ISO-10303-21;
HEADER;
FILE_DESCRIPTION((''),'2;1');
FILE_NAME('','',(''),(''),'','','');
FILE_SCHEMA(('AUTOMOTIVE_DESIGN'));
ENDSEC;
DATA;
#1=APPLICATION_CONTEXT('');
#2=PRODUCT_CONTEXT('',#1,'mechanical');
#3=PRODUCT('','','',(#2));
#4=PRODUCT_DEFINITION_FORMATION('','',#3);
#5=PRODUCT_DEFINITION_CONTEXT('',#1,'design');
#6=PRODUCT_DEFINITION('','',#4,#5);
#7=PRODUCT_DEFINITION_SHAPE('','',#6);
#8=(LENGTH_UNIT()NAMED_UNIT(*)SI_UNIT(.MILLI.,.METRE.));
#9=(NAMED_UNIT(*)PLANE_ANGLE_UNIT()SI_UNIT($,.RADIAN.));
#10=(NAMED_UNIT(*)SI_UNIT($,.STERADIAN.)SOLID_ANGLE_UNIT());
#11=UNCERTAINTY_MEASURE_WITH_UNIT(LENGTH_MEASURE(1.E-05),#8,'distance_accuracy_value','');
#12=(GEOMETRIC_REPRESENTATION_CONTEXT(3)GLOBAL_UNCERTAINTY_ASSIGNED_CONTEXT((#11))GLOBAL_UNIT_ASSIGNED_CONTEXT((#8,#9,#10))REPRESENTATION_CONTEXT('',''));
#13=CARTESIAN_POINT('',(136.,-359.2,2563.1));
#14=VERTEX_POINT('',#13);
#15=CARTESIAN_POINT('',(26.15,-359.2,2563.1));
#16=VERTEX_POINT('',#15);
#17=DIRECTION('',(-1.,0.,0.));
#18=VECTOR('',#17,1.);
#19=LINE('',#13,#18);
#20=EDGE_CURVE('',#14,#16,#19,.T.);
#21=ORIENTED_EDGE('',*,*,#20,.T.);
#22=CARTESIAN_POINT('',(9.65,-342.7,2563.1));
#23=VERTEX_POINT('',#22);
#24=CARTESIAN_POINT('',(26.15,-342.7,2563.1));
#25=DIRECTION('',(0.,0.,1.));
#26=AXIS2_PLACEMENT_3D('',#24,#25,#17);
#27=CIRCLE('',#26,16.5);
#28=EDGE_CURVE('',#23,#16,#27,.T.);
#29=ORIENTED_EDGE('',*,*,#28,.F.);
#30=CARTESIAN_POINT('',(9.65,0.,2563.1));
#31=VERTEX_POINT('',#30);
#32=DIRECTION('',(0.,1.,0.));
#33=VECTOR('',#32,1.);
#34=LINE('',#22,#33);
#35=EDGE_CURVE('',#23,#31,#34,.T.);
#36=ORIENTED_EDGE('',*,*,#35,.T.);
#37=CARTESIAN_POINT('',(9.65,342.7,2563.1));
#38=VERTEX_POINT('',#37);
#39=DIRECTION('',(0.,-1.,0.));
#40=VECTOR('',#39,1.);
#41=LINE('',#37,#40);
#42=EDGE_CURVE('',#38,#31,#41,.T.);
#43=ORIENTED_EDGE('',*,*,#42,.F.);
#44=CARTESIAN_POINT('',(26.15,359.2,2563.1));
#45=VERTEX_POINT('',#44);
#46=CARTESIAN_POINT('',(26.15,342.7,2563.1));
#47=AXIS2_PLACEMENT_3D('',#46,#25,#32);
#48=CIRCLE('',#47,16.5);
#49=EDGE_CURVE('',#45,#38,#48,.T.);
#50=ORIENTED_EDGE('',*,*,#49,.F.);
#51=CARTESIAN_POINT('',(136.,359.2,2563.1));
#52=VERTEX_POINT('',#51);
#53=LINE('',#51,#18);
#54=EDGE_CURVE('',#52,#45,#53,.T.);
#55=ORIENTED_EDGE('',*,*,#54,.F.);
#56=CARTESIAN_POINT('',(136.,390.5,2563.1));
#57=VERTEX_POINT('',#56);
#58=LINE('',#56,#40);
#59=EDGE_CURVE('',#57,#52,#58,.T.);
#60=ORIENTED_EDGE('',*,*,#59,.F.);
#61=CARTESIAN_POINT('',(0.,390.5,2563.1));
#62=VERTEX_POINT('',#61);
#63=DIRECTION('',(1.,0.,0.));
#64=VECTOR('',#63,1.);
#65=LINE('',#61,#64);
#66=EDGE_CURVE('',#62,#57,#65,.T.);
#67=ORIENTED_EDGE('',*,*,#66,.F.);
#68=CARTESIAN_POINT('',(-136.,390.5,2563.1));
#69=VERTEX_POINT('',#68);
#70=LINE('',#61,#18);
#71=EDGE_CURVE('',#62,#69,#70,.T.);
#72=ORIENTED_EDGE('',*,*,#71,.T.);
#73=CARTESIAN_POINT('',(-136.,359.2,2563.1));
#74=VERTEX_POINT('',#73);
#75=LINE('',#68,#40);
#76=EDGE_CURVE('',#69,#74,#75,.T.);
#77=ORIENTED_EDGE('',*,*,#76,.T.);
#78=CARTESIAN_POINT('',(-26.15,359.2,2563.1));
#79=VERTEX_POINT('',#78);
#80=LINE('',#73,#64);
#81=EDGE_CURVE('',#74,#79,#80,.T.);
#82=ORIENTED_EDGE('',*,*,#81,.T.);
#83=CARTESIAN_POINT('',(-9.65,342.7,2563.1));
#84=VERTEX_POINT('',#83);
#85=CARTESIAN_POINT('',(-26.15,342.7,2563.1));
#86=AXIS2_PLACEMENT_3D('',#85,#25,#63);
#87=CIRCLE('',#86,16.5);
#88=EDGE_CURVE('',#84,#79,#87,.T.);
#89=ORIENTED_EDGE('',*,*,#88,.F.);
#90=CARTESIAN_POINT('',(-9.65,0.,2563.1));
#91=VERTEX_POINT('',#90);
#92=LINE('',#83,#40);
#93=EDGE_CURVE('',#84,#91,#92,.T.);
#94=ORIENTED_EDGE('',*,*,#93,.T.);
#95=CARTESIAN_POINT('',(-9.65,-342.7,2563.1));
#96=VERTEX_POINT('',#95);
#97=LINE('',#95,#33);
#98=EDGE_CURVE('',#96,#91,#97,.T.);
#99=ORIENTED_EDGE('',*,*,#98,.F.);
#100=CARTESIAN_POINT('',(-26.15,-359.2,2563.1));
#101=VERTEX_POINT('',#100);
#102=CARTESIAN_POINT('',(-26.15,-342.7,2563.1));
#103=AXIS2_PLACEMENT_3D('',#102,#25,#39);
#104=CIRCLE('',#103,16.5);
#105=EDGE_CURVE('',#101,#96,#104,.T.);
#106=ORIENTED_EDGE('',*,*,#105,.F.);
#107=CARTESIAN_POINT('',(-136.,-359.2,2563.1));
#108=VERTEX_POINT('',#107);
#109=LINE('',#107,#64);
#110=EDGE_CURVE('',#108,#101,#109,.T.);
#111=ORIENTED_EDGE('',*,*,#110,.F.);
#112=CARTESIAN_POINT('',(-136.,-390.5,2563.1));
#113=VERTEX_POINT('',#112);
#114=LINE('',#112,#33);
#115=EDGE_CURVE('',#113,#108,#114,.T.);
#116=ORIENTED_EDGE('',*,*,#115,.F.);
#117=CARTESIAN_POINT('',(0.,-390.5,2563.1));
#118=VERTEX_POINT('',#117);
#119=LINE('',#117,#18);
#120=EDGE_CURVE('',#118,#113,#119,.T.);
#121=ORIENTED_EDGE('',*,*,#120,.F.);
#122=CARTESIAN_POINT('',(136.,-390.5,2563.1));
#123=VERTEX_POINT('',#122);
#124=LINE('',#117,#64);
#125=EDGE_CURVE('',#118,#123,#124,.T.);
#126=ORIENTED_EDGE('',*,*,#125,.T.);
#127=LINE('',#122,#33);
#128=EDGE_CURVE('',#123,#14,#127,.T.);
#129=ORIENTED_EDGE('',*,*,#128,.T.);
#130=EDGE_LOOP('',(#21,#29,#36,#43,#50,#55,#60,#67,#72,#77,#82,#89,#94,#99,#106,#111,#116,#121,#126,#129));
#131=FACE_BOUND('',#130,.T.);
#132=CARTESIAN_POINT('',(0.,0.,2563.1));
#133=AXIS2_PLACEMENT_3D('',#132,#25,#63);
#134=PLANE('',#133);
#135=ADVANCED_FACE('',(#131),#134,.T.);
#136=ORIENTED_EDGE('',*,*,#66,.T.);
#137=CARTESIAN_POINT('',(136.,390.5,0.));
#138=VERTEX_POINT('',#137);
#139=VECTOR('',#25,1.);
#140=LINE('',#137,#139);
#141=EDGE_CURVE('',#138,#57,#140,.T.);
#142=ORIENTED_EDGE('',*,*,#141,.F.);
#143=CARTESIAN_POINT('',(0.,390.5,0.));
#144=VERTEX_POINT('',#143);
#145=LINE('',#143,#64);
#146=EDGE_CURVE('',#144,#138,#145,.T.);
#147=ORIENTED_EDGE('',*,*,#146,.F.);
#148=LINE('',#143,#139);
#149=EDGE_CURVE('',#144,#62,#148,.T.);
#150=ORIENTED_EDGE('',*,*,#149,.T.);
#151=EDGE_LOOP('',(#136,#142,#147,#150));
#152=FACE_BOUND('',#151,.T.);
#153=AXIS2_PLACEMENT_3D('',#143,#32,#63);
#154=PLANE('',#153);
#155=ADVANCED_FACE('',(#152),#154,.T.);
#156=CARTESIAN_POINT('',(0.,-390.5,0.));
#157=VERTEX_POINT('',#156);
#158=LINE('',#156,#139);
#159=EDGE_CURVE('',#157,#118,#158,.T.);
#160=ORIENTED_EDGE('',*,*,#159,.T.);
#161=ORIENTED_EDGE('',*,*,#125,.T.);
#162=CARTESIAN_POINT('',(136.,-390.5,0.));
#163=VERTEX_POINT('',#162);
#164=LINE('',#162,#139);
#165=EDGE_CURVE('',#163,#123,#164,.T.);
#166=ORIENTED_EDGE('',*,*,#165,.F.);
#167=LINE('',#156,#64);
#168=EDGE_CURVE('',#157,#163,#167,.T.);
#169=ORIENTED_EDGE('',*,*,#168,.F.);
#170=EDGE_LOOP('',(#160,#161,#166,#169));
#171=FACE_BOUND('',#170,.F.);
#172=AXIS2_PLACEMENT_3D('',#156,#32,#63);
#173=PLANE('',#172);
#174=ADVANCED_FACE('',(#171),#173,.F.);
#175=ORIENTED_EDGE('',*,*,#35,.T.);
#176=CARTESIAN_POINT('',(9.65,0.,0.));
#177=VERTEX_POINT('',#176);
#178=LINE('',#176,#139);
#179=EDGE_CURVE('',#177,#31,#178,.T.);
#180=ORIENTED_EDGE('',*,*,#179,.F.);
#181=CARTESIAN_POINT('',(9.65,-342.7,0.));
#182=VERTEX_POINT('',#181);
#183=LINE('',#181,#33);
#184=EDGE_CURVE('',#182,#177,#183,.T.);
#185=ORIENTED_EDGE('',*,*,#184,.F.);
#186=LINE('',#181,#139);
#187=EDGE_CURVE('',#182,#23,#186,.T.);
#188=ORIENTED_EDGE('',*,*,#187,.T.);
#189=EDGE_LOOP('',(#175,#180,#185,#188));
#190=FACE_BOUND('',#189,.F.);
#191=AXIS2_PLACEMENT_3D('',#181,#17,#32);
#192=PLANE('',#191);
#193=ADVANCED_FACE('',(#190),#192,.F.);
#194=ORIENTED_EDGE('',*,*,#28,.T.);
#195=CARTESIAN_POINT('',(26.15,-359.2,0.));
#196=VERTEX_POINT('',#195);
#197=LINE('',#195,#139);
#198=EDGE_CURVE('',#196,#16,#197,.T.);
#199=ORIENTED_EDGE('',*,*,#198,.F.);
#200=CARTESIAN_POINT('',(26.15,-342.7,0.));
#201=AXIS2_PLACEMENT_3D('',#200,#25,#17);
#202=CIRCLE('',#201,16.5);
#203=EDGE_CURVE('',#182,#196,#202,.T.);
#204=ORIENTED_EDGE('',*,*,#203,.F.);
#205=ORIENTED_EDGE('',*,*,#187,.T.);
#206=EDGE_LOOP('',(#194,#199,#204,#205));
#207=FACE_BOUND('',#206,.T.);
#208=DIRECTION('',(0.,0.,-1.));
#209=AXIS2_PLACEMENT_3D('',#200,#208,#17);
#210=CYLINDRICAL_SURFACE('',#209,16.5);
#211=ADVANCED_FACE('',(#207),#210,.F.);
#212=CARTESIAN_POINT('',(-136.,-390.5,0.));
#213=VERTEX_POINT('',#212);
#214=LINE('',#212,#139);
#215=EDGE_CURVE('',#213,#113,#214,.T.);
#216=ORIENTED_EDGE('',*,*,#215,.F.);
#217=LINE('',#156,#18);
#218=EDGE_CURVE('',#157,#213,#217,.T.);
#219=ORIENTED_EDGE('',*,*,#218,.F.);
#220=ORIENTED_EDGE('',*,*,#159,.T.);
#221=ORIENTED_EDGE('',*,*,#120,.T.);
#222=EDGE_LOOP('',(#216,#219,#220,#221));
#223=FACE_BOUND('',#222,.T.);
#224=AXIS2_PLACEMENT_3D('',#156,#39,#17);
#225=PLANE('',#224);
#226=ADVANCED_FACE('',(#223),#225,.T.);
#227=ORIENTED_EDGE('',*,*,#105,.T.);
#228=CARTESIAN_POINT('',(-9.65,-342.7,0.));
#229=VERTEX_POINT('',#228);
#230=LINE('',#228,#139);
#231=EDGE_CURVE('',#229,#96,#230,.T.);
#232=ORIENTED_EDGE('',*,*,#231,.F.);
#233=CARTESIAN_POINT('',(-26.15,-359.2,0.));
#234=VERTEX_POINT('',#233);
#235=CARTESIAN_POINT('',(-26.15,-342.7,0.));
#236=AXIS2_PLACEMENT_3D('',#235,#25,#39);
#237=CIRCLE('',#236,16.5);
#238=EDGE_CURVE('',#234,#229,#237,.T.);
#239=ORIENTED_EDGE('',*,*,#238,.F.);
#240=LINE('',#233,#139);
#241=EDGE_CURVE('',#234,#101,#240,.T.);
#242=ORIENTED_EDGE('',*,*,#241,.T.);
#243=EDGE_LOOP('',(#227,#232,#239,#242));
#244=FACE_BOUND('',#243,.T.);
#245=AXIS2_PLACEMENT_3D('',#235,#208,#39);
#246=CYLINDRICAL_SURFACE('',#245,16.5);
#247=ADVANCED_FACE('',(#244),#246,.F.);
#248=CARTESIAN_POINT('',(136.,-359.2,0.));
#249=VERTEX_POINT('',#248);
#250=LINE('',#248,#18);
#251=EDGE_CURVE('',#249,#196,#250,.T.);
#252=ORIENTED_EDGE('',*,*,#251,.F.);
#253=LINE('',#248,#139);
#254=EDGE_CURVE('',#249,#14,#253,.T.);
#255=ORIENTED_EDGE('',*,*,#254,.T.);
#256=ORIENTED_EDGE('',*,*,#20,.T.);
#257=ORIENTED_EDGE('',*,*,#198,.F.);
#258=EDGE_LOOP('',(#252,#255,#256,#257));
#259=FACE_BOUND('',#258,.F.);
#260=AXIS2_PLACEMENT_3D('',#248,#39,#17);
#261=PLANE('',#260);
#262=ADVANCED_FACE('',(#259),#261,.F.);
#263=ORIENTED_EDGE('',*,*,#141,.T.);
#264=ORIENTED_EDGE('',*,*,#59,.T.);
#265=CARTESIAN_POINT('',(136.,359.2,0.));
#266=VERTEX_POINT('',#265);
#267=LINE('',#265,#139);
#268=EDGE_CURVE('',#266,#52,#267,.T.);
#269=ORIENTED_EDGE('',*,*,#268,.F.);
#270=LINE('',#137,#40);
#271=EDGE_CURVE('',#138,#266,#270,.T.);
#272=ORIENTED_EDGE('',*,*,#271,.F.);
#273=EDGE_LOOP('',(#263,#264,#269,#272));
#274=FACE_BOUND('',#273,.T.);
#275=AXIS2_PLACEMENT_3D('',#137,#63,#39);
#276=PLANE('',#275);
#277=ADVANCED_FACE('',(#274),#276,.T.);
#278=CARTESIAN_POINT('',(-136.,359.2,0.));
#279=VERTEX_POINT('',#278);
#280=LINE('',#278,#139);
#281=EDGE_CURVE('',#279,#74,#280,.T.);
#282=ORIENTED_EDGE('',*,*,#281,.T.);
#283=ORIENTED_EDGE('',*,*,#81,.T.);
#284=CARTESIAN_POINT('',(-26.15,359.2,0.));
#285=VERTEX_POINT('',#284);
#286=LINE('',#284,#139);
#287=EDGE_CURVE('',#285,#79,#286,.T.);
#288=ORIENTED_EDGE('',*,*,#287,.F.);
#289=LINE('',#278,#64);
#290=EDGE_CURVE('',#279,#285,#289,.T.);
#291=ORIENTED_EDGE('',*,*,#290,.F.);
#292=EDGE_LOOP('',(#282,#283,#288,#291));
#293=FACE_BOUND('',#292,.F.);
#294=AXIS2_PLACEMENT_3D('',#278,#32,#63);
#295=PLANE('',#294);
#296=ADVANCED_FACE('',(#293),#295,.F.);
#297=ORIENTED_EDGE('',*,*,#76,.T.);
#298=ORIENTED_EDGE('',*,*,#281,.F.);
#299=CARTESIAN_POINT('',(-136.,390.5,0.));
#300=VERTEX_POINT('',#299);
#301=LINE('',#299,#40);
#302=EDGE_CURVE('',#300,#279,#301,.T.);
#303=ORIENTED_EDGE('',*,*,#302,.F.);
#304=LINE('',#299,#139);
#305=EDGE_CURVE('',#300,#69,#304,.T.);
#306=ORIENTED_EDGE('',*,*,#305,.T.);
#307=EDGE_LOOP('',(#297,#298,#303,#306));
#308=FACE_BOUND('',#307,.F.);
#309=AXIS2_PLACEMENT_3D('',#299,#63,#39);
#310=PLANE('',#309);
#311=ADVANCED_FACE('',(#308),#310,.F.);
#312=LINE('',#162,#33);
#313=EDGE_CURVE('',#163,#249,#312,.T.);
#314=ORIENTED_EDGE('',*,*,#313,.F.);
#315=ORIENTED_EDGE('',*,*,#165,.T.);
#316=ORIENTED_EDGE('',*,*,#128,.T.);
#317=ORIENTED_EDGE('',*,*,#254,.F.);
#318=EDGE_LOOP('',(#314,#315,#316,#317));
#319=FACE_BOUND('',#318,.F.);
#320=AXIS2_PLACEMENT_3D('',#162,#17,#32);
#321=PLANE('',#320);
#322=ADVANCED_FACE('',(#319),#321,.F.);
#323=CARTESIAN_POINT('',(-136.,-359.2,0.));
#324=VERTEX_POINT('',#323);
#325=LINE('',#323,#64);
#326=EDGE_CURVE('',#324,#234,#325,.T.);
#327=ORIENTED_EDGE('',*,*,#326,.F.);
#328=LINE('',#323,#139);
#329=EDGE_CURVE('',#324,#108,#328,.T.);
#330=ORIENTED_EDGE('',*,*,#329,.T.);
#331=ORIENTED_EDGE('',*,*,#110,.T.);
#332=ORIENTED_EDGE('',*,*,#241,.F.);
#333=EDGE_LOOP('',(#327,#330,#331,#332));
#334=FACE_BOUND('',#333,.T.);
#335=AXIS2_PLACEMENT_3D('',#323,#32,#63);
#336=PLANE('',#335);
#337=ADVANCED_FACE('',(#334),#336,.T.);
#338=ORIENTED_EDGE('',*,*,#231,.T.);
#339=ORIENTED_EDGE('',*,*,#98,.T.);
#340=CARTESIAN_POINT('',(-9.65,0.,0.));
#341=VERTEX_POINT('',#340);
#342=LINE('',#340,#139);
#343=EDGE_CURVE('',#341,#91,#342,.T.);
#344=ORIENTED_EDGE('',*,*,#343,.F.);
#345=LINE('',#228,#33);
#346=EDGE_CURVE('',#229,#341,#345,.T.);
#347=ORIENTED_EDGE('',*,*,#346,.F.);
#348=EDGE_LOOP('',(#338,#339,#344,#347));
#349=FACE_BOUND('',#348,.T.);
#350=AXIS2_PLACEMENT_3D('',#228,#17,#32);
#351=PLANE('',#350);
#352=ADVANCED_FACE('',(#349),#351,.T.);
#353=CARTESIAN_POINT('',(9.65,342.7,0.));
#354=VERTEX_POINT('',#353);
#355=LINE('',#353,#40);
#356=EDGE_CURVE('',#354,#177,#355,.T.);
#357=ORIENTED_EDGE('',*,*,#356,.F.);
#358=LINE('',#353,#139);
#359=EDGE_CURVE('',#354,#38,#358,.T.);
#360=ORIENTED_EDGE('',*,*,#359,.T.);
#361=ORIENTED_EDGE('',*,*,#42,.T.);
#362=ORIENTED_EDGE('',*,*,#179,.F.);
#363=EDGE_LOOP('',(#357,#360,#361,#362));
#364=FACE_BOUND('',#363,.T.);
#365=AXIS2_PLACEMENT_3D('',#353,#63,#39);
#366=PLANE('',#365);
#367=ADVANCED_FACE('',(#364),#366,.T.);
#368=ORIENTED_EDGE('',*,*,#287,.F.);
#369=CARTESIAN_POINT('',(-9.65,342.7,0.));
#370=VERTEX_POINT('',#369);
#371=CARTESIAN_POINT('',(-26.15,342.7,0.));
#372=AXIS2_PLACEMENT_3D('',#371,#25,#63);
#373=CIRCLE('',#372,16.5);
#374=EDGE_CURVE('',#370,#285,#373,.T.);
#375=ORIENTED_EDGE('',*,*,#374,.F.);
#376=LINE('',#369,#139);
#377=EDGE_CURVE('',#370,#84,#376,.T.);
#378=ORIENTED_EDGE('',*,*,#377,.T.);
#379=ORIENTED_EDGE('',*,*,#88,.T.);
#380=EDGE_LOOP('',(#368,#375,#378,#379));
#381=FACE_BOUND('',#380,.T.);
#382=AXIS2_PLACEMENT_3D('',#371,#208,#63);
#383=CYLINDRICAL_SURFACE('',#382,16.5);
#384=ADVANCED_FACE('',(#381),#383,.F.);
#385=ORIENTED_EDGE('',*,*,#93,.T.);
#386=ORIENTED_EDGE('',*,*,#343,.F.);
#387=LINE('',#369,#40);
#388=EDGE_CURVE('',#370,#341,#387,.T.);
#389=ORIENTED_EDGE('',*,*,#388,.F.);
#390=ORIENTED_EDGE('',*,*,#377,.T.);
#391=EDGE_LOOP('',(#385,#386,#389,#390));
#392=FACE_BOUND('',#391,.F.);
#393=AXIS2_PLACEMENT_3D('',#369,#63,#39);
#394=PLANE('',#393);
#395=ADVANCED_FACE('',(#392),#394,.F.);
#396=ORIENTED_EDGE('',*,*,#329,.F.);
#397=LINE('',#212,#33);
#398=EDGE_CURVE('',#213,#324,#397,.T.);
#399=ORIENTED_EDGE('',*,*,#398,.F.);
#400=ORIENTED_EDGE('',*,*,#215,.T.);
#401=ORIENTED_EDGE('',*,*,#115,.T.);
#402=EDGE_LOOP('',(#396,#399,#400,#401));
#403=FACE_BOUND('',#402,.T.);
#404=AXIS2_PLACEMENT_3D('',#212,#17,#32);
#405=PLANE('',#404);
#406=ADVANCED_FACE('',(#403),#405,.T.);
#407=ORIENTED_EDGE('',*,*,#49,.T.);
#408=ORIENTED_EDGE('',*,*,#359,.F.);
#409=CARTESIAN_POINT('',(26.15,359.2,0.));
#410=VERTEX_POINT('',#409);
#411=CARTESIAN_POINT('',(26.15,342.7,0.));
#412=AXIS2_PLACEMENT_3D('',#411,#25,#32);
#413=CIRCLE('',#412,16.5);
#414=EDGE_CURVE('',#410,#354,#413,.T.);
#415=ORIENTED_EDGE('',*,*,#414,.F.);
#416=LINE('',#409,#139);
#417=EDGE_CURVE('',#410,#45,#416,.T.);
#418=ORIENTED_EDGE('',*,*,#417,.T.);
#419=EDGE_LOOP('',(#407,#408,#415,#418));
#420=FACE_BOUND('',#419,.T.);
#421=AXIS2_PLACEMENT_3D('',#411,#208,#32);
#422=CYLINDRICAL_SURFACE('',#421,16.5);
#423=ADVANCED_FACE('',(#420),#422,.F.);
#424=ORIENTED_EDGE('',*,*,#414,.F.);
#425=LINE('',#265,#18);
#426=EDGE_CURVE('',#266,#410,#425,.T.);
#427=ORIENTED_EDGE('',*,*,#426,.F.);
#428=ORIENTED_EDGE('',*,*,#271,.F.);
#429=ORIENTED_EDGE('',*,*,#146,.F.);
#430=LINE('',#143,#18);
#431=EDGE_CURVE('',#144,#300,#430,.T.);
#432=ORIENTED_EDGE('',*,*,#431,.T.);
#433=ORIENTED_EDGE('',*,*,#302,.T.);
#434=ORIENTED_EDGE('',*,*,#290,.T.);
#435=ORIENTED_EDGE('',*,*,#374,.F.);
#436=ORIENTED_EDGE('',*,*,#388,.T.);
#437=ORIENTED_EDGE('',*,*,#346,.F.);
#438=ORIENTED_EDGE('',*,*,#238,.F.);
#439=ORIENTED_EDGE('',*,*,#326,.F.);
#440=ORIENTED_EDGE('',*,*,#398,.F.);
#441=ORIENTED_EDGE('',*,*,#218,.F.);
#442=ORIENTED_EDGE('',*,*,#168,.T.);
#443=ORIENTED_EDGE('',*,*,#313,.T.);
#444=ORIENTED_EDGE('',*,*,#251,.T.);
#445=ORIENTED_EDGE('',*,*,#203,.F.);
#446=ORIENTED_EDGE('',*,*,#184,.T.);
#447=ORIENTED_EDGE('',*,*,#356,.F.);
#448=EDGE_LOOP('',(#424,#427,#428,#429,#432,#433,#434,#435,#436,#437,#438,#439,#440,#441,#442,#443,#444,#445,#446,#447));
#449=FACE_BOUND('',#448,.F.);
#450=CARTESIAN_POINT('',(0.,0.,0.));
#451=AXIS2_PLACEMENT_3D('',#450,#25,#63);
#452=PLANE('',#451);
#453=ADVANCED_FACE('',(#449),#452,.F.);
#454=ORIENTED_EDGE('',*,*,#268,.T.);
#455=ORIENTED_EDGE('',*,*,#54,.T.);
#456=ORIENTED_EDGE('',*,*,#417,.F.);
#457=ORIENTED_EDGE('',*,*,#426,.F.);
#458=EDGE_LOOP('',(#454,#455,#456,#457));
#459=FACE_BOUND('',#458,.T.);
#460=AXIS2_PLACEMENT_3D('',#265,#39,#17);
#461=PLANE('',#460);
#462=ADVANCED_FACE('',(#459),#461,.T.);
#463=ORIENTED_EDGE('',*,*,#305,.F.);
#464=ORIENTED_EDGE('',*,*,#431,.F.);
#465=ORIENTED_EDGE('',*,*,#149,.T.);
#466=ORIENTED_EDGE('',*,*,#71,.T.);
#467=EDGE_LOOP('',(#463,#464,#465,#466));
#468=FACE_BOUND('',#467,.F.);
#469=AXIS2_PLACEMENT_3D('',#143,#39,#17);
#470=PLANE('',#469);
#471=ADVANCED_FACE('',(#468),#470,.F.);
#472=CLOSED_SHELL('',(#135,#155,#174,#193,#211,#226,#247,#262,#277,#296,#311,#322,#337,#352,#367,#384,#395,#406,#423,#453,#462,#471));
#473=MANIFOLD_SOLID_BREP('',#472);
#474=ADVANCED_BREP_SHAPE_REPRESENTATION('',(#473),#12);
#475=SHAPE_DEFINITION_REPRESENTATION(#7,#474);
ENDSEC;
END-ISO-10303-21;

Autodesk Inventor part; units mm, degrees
ref_plane "YZ Plane" through (0, 0, 0) normal (1, 0, 0) x (0, 1, 0)
ref_plane "Start plane" through (0, 0, 0) normal (0, 0, 1) x (1, 0, 0)
ref_plane "End plane" through (0, 0, 2563.1) normal (0, 0, 1) x (1, 0, 0)
sketch "Sketch" plane through (0, 0, 0) normal (0, 0, 1) x (1, 0, 0)
  line L0 (-136, -390.5) -> (-136, -359.2)
  line L1 (-136, -359.2) -> (-26.15, -359.2)
  line L2 (-9.65, -342.7) -> (-9.65, 0)
  line L3 (-9.65, 0) -> (0, 0) construction
  line L4 (0, 0) -> (0, -390.5) construction
  line L5 (0, -390.5) -> (-136, -390.5)
  line L6 (-60, 0) -> (80, 0) construction
  line L7 (0, -60) -> (0, 80) construction
  line L8 (136, -390.5) -> (136, -359.2)
  line L9 (136, -359.2) -> (26.15, -359.2)
  line L10 (9.65, -342.7) -> (9.65, 0)
  line L11 (9.65, 0) -> (0, 0) construction
  line L12 (0, -390.5) -> (136, -390.5)
  line L13 (-136, 390.5) -> (-136, 359.2)
  line L14 (-136, 359.2) -> (-26.15, 359.2)
  line L15 (-9.65, 342.7) -> (-9.65, 0)
  line L16 (0, 390.5) -> (-136, 390.5)
  line L17 (136, 390.5) -> (136, 359.2)
  line L18 (136, 359.2) -> (26.15, 359.2)
  line L19 (0, 390.5) -> (136, 390.5)
  line L20 (9.65, 342.7) -> (9.65, 0)
  arc A0 (-9.65, 342.7) -> (-26.15, 359.2) centre (-26.15, 342.7) ccw
  arc A1 (26.15, 359.2) -> (9.65, 342.7) centre (26.15, 342.7) ccw
  arc A2 (9.65, -342.7) -> (26.15, -359.2) centre (26.15, -342.7) ccw
  arc A3 (-26.15, -359.2) -> (-9.65, -342.7) centre (-26.15, -342.7) ccw
  line L21 (0, 108) -> (0, -88) construction
  line L22 (-88, 0) -> (108, 0) construction
  point P0 (-9.65, -359.2)
  point P1 (9.65, -359.2)
  point P2 (-9.65, 359.2)
  point P3 (9.65, 359.2)
  dimension "d1" = 390.5
  dimension "d2" = 31.3
  dimension "d3" = 136
  dimension "d4" = 9.65
  dimension "d10" = 16.5
extrude "Body" add sketch "Sketch" along normal up to surface (2563.1 mm away) from surface at 0
sketch "Sketch4" plane through (0, 0, 0) normal (0, 0, 1) x (1, 0, 0)
  line L0 (0, 0) -> (10, 0)
ref_plane "Work Plane3" through (0, 0, 0) normal (0, -1, 0) x (1, 0, 0)
sketch "Sketch5" plane through (0, 0, 0) normal (0, -1, 0) x (1, 0, 0)
  line L0 (-2, 0) -> (12, 0) projected
  line L1 (-2, 2563.1) -> (12, 2563.1) projected
  dimension "d14" = 2563.1
equation "\"d1\" = 0.5 * G_H"
equation "\"d2\" = G_T1"
equation "\"d3\" = 0.5 * G_W"
equation "\"d4\" = 0.5 * G_T"
equation "\"d10\" = G_IR"
equation "\"d5\" = G_L"
equation "\"G_W\" = 272"
equation "\"G_H\" = 781"
equation "\"G_T\" = 19.3"
equation "\"G_T1\" = 31.3"
equation "\"G_IR\" = 16.5"
equation "\"G_L\" = d14"
equation "\"G_OFFSET_START\" = 0"
equation "\"G_OFFSET_END\" = 0"
equation "\"d12\" = G_OFFSET_END + B_L"
equation "\"B_L\" = 2563.1"
properties part number "AS 3679-1990 - 760 UB - 244 - 2563.1" material "Steel, Mild"
